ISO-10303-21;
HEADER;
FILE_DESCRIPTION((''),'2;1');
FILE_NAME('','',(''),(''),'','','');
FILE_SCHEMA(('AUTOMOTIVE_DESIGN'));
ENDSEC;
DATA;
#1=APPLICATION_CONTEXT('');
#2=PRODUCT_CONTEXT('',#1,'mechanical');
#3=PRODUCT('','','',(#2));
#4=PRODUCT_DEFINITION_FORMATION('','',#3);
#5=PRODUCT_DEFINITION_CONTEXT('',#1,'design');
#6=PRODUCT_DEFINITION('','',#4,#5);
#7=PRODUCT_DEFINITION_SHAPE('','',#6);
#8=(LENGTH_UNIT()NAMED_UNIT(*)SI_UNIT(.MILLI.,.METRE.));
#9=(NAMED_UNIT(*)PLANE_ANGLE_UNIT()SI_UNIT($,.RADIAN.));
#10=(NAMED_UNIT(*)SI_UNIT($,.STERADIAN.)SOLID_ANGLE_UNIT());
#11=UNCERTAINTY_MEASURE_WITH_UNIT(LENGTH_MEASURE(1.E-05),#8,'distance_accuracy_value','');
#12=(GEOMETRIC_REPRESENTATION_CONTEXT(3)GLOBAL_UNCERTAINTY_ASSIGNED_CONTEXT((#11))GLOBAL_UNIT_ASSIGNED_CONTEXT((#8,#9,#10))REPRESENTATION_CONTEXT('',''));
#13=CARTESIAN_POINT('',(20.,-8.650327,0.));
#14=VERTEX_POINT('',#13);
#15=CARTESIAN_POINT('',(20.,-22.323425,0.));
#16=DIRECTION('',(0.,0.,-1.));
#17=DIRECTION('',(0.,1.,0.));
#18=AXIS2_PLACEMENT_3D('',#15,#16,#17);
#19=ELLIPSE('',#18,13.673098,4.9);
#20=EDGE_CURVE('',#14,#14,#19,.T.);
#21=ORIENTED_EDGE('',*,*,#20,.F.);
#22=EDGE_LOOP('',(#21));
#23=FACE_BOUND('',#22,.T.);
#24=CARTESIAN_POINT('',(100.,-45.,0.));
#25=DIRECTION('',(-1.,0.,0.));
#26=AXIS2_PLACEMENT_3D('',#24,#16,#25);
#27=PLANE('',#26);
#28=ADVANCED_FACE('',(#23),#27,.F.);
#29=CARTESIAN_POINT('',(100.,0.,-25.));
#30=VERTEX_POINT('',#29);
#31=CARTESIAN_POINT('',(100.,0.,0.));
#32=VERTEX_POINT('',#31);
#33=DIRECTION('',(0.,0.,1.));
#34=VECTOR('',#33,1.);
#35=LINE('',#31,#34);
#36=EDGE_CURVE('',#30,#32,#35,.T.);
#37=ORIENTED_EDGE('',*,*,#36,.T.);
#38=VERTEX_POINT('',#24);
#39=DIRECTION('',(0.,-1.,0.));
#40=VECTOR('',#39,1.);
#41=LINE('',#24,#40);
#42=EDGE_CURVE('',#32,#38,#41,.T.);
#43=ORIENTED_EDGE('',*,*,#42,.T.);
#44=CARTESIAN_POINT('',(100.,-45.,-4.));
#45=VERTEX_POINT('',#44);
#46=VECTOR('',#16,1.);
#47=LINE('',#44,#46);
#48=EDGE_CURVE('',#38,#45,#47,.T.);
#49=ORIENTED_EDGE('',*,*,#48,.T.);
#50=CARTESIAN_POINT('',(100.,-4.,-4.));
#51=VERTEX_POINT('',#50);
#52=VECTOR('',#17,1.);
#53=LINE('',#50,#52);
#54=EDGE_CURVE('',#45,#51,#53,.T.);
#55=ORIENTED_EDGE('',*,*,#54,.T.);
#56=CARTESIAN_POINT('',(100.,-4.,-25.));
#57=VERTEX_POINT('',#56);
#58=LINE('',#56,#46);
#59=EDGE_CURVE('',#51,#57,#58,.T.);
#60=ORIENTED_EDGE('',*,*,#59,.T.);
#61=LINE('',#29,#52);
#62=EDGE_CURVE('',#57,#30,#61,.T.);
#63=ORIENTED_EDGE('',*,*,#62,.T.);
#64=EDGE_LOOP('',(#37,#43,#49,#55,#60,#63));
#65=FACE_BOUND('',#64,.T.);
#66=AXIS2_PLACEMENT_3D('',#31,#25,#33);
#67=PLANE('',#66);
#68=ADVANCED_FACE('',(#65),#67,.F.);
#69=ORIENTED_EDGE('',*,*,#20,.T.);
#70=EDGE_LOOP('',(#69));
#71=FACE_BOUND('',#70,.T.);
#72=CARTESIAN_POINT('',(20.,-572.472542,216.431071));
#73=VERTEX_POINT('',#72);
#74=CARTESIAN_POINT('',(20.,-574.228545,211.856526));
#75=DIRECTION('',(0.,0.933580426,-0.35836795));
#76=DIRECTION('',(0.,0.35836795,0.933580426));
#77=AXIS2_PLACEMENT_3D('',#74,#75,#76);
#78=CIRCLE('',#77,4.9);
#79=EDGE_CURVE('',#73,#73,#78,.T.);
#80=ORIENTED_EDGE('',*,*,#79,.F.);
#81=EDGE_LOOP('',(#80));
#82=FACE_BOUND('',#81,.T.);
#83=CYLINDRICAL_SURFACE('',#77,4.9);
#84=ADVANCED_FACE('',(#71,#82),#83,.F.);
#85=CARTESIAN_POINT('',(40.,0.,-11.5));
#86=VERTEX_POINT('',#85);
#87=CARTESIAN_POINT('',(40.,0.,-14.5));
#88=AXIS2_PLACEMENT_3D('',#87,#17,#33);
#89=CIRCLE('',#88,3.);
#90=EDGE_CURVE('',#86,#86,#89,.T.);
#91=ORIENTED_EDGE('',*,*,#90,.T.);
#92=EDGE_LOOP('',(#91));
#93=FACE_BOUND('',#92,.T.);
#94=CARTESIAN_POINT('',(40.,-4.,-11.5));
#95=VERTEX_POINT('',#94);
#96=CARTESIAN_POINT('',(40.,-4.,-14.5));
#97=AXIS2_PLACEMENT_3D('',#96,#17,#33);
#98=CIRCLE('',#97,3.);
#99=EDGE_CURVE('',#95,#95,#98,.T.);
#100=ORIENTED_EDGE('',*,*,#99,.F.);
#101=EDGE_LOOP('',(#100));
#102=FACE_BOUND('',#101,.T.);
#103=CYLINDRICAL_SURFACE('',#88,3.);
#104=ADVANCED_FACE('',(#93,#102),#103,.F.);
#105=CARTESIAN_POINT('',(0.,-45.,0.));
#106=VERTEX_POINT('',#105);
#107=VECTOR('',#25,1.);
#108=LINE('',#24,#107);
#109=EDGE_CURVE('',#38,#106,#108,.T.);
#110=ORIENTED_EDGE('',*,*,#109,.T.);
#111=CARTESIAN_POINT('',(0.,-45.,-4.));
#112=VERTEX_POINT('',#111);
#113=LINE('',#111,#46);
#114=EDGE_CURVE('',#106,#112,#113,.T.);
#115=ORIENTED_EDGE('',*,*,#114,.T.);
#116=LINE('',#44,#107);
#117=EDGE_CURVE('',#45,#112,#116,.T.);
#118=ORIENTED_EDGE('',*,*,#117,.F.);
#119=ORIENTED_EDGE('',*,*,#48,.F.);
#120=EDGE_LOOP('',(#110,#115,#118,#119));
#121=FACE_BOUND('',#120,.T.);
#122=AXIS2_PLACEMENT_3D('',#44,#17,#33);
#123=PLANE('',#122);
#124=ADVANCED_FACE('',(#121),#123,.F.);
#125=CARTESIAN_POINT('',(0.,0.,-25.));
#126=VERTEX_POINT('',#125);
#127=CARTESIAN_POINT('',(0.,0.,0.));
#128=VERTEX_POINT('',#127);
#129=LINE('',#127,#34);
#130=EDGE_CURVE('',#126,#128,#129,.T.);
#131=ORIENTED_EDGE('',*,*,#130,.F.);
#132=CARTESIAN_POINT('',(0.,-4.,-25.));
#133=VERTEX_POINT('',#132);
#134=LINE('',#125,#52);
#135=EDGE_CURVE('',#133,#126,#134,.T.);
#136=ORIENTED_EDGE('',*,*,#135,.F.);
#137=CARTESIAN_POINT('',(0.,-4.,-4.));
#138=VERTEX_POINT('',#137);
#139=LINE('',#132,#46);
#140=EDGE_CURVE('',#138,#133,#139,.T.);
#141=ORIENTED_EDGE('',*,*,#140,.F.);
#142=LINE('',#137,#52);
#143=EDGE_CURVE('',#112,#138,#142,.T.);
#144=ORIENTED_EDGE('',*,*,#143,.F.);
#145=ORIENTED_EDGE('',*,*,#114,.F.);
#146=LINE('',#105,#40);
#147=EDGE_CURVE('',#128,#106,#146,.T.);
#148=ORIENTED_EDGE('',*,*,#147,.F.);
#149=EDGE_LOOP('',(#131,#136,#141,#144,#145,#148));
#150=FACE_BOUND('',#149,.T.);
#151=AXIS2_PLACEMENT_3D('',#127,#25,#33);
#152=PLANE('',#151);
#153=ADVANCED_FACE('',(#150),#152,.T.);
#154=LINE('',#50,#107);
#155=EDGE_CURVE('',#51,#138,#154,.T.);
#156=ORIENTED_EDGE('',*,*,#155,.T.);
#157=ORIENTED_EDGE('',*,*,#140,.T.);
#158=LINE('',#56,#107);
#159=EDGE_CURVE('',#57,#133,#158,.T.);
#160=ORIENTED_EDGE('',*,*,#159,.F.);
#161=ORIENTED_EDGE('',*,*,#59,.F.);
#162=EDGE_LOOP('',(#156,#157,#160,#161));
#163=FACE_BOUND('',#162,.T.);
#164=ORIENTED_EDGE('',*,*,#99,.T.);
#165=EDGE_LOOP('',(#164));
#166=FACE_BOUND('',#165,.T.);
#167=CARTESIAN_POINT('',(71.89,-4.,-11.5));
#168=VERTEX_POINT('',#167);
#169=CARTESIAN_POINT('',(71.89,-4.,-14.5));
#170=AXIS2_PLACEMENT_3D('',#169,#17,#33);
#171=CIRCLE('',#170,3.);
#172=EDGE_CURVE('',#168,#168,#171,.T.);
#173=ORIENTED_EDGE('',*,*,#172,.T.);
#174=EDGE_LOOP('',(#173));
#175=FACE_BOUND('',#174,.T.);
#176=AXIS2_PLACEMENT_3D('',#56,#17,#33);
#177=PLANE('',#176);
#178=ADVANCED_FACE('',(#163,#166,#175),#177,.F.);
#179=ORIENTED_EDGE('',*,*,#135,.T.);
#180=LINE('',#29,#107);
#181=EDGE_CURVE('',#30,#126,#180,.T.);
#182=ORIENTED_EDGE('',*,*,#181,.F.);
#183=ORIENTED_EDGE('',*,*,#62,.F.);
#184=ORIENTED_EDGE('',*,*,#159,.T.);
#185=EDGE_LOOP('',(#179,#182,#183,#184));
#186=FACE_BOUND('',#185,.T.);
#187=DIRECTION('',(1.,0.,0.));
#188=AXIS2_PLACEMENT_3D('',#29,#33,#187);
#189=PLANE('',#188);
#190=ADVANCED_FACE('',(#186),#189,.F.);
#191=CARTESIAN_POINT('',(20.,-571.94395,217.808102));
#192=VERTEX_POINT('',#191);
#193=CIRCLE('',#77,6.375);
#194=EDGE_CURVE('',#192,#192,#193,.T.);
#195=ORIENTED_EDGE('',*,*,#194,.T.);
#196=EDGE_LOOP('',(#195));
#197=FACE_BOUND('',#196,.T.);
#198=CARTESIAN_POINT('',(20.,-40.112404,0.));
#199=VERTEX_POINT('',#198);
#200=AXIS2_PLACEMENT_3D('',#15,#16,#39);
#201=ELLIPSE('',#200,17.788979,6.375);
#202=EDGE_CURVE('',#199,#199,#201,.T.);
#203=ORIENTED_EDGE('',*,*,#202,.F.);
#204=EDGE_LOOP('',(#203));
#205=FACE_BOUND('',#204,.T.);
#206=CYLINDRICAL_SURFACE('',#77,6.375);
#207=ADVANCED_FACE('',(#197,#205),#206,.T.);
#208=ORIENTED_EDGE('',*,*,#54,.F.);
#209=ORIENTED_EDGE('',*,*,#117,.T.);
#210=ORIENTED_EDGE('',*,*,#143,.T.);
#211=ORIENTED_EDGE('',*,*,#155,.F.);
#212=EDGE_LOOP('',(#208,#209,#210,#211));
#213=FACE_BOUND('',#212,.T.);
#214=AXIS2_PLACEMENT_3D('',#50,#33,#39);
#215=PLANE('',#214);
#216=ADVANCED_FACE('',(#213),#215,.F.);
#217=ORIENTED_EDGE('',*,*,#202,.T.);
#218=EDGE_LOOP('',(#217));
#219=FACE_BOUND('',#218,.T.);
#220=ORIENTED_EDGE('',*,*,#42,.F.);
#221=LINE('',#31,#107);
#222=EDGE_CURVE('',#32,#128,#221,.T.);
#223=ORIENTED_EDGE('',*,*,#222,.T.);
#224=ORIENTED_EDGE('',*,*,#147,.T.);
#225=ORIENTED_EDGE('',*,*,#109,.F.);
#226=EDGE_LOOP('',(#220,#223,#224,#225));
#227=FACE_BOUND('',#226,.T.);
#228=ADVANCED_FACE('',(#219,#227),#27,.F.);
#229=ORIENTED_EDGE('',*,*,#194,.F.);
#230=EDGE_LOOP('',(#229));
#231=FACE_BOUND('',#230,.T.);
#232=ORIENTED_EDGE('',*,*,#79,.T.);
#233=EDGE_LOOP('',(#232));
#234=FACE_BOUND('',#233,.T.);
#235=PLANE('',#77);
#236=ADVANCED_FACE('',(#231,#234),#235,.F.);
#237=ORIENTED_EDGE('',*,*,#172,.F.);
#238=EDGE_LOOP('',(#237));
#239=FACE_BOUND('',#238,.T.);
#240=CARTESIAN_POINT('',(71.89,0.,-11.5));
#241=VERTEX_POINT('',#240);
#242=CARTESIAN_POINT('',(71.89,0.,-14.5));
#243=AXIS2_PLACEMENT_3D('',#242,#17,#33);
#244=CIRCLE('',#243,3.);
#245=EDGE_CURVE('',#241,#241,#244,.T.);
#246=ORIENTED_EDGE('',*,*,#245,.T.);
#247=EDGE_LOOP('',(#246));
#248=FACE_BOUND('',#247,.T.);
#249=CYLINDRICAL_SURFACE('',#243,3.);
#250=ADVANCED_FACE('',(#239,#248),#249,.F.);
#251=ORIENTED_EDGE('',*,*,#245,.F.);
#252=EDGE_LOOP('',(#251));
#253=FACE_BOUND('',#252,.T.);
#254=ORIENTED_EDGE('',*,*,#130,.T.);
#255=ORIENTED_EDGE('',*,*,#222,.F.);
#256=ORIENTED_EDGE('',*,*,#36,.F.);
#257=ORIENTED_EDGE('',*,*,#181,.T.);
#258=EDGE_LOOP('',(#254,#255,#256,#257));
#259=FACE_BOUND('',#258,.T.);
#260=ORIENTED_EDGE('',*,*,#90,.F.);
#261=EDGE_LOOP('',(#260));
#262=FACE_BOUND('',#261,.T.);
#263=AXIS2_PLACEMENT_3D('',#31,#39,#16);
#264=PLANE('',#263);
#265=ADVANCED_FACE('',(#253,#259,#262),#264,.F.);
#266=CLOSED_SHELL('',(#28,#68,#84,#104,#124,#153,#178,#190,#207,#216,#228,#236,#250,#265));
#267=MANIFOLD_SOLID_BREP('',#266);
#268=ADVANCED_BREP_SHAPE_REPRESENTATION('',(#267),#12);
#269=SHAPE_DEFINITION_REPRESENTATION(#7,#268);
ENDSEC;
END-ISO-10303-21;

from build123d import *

# Parameters (mm, degrees)
BOSS_EXTRUDE1_DEPTH             = 100
BOSS_EXTRUDE2_REACH             = 116.642
SKETCH2_R                       = 6.375
SKETCH2_R_2                     = 4.9
BOSS_EXTRUDE2_DIRECTION_2_DEPTH = 570
F_6_0MM_DOWEL_HOLE1_D           = 6


with BuildPart() as part:
    # Sketch1 → Boss-Extrude1 (new body)
    with BuildSketch(Plane(origin=(0, 0, 0), x_dir=(0, 0, -1), z_dir=(1, 0, 0))):
        Polygon((0, 0), (25, 0), (25, -4), (4, -4), (4, -45), (0, -45), align=None)
    extrude(amount=BOSS_EXTRUDE1_DEPTH)

    # Boss-Extrude2: up to this plane
    boss_extrude2_end = Plane(origin=(100, -45, 0), z_dir=(0, 0, -1))
    # Sketch2 → Boss-Extrude2 (add, up to the surface)
    with BuildSketch(Plane(origin=(0, -39.220758573, 15.055438643), x_dir=(-1, 0, 0), z_dir=(0, 0.9335804264972002, -0.3583679495453042)), mode=Mode.PRIVATE) as boss_extrude2_sk1:
        with Locations((-20, -8)):
            Circle(SKETCH2_R)
        with Locations((-20, -8)):
            Circle(SKETCH2_R_2, mode=Mode.SUBTRACT)
    boss_extrude2_tool1 = split(extrude(boss_extrude2_sk1.sketch, amount=BOSS_EXTRUDE2_REACH, mode=Mode.PRIVATE), bisect_by=boss_extrude2_end, keep=Keep.BOTH, mode=Mode.PRIVATE)
    add(boss_extrude2_tool1.solids().sort_by_distance((26.194688, -42.087702, 7.586795))[0])

    # Sketch2 → Boss-Extrude2 direction 2 (add)
    with BuildSketch(Plane(origin=(0, -39.220758573, 15.055438643), x_dir=(-1, 0, 0), z_dir=(0, 0.9335804264972002, -0.3583679495453042))):
        with Locations((-20, -8)):
            Circle(SKETCH2_R)
        with Locations((-20, -8)):
            Circle(SKETCH2_R_2, mode=Mode.SUBTRACT)
    extrude(amount=-BOSS_EXTRUDE2_DIRECTION_2_DEPTH)

    # Ø6.0mm Dowel Hole1 (through all)
    with Locations(Plane(origin=(0, 0, 0), x_dir=(1, 0, 0), z_dir=(0, 1, 0))):
        with Locations((40, 14.5), (71.89, 14.5)):
            Hole(F_6_0MM_DOWEL_HOLE1_D / 2)


solid = part.part
